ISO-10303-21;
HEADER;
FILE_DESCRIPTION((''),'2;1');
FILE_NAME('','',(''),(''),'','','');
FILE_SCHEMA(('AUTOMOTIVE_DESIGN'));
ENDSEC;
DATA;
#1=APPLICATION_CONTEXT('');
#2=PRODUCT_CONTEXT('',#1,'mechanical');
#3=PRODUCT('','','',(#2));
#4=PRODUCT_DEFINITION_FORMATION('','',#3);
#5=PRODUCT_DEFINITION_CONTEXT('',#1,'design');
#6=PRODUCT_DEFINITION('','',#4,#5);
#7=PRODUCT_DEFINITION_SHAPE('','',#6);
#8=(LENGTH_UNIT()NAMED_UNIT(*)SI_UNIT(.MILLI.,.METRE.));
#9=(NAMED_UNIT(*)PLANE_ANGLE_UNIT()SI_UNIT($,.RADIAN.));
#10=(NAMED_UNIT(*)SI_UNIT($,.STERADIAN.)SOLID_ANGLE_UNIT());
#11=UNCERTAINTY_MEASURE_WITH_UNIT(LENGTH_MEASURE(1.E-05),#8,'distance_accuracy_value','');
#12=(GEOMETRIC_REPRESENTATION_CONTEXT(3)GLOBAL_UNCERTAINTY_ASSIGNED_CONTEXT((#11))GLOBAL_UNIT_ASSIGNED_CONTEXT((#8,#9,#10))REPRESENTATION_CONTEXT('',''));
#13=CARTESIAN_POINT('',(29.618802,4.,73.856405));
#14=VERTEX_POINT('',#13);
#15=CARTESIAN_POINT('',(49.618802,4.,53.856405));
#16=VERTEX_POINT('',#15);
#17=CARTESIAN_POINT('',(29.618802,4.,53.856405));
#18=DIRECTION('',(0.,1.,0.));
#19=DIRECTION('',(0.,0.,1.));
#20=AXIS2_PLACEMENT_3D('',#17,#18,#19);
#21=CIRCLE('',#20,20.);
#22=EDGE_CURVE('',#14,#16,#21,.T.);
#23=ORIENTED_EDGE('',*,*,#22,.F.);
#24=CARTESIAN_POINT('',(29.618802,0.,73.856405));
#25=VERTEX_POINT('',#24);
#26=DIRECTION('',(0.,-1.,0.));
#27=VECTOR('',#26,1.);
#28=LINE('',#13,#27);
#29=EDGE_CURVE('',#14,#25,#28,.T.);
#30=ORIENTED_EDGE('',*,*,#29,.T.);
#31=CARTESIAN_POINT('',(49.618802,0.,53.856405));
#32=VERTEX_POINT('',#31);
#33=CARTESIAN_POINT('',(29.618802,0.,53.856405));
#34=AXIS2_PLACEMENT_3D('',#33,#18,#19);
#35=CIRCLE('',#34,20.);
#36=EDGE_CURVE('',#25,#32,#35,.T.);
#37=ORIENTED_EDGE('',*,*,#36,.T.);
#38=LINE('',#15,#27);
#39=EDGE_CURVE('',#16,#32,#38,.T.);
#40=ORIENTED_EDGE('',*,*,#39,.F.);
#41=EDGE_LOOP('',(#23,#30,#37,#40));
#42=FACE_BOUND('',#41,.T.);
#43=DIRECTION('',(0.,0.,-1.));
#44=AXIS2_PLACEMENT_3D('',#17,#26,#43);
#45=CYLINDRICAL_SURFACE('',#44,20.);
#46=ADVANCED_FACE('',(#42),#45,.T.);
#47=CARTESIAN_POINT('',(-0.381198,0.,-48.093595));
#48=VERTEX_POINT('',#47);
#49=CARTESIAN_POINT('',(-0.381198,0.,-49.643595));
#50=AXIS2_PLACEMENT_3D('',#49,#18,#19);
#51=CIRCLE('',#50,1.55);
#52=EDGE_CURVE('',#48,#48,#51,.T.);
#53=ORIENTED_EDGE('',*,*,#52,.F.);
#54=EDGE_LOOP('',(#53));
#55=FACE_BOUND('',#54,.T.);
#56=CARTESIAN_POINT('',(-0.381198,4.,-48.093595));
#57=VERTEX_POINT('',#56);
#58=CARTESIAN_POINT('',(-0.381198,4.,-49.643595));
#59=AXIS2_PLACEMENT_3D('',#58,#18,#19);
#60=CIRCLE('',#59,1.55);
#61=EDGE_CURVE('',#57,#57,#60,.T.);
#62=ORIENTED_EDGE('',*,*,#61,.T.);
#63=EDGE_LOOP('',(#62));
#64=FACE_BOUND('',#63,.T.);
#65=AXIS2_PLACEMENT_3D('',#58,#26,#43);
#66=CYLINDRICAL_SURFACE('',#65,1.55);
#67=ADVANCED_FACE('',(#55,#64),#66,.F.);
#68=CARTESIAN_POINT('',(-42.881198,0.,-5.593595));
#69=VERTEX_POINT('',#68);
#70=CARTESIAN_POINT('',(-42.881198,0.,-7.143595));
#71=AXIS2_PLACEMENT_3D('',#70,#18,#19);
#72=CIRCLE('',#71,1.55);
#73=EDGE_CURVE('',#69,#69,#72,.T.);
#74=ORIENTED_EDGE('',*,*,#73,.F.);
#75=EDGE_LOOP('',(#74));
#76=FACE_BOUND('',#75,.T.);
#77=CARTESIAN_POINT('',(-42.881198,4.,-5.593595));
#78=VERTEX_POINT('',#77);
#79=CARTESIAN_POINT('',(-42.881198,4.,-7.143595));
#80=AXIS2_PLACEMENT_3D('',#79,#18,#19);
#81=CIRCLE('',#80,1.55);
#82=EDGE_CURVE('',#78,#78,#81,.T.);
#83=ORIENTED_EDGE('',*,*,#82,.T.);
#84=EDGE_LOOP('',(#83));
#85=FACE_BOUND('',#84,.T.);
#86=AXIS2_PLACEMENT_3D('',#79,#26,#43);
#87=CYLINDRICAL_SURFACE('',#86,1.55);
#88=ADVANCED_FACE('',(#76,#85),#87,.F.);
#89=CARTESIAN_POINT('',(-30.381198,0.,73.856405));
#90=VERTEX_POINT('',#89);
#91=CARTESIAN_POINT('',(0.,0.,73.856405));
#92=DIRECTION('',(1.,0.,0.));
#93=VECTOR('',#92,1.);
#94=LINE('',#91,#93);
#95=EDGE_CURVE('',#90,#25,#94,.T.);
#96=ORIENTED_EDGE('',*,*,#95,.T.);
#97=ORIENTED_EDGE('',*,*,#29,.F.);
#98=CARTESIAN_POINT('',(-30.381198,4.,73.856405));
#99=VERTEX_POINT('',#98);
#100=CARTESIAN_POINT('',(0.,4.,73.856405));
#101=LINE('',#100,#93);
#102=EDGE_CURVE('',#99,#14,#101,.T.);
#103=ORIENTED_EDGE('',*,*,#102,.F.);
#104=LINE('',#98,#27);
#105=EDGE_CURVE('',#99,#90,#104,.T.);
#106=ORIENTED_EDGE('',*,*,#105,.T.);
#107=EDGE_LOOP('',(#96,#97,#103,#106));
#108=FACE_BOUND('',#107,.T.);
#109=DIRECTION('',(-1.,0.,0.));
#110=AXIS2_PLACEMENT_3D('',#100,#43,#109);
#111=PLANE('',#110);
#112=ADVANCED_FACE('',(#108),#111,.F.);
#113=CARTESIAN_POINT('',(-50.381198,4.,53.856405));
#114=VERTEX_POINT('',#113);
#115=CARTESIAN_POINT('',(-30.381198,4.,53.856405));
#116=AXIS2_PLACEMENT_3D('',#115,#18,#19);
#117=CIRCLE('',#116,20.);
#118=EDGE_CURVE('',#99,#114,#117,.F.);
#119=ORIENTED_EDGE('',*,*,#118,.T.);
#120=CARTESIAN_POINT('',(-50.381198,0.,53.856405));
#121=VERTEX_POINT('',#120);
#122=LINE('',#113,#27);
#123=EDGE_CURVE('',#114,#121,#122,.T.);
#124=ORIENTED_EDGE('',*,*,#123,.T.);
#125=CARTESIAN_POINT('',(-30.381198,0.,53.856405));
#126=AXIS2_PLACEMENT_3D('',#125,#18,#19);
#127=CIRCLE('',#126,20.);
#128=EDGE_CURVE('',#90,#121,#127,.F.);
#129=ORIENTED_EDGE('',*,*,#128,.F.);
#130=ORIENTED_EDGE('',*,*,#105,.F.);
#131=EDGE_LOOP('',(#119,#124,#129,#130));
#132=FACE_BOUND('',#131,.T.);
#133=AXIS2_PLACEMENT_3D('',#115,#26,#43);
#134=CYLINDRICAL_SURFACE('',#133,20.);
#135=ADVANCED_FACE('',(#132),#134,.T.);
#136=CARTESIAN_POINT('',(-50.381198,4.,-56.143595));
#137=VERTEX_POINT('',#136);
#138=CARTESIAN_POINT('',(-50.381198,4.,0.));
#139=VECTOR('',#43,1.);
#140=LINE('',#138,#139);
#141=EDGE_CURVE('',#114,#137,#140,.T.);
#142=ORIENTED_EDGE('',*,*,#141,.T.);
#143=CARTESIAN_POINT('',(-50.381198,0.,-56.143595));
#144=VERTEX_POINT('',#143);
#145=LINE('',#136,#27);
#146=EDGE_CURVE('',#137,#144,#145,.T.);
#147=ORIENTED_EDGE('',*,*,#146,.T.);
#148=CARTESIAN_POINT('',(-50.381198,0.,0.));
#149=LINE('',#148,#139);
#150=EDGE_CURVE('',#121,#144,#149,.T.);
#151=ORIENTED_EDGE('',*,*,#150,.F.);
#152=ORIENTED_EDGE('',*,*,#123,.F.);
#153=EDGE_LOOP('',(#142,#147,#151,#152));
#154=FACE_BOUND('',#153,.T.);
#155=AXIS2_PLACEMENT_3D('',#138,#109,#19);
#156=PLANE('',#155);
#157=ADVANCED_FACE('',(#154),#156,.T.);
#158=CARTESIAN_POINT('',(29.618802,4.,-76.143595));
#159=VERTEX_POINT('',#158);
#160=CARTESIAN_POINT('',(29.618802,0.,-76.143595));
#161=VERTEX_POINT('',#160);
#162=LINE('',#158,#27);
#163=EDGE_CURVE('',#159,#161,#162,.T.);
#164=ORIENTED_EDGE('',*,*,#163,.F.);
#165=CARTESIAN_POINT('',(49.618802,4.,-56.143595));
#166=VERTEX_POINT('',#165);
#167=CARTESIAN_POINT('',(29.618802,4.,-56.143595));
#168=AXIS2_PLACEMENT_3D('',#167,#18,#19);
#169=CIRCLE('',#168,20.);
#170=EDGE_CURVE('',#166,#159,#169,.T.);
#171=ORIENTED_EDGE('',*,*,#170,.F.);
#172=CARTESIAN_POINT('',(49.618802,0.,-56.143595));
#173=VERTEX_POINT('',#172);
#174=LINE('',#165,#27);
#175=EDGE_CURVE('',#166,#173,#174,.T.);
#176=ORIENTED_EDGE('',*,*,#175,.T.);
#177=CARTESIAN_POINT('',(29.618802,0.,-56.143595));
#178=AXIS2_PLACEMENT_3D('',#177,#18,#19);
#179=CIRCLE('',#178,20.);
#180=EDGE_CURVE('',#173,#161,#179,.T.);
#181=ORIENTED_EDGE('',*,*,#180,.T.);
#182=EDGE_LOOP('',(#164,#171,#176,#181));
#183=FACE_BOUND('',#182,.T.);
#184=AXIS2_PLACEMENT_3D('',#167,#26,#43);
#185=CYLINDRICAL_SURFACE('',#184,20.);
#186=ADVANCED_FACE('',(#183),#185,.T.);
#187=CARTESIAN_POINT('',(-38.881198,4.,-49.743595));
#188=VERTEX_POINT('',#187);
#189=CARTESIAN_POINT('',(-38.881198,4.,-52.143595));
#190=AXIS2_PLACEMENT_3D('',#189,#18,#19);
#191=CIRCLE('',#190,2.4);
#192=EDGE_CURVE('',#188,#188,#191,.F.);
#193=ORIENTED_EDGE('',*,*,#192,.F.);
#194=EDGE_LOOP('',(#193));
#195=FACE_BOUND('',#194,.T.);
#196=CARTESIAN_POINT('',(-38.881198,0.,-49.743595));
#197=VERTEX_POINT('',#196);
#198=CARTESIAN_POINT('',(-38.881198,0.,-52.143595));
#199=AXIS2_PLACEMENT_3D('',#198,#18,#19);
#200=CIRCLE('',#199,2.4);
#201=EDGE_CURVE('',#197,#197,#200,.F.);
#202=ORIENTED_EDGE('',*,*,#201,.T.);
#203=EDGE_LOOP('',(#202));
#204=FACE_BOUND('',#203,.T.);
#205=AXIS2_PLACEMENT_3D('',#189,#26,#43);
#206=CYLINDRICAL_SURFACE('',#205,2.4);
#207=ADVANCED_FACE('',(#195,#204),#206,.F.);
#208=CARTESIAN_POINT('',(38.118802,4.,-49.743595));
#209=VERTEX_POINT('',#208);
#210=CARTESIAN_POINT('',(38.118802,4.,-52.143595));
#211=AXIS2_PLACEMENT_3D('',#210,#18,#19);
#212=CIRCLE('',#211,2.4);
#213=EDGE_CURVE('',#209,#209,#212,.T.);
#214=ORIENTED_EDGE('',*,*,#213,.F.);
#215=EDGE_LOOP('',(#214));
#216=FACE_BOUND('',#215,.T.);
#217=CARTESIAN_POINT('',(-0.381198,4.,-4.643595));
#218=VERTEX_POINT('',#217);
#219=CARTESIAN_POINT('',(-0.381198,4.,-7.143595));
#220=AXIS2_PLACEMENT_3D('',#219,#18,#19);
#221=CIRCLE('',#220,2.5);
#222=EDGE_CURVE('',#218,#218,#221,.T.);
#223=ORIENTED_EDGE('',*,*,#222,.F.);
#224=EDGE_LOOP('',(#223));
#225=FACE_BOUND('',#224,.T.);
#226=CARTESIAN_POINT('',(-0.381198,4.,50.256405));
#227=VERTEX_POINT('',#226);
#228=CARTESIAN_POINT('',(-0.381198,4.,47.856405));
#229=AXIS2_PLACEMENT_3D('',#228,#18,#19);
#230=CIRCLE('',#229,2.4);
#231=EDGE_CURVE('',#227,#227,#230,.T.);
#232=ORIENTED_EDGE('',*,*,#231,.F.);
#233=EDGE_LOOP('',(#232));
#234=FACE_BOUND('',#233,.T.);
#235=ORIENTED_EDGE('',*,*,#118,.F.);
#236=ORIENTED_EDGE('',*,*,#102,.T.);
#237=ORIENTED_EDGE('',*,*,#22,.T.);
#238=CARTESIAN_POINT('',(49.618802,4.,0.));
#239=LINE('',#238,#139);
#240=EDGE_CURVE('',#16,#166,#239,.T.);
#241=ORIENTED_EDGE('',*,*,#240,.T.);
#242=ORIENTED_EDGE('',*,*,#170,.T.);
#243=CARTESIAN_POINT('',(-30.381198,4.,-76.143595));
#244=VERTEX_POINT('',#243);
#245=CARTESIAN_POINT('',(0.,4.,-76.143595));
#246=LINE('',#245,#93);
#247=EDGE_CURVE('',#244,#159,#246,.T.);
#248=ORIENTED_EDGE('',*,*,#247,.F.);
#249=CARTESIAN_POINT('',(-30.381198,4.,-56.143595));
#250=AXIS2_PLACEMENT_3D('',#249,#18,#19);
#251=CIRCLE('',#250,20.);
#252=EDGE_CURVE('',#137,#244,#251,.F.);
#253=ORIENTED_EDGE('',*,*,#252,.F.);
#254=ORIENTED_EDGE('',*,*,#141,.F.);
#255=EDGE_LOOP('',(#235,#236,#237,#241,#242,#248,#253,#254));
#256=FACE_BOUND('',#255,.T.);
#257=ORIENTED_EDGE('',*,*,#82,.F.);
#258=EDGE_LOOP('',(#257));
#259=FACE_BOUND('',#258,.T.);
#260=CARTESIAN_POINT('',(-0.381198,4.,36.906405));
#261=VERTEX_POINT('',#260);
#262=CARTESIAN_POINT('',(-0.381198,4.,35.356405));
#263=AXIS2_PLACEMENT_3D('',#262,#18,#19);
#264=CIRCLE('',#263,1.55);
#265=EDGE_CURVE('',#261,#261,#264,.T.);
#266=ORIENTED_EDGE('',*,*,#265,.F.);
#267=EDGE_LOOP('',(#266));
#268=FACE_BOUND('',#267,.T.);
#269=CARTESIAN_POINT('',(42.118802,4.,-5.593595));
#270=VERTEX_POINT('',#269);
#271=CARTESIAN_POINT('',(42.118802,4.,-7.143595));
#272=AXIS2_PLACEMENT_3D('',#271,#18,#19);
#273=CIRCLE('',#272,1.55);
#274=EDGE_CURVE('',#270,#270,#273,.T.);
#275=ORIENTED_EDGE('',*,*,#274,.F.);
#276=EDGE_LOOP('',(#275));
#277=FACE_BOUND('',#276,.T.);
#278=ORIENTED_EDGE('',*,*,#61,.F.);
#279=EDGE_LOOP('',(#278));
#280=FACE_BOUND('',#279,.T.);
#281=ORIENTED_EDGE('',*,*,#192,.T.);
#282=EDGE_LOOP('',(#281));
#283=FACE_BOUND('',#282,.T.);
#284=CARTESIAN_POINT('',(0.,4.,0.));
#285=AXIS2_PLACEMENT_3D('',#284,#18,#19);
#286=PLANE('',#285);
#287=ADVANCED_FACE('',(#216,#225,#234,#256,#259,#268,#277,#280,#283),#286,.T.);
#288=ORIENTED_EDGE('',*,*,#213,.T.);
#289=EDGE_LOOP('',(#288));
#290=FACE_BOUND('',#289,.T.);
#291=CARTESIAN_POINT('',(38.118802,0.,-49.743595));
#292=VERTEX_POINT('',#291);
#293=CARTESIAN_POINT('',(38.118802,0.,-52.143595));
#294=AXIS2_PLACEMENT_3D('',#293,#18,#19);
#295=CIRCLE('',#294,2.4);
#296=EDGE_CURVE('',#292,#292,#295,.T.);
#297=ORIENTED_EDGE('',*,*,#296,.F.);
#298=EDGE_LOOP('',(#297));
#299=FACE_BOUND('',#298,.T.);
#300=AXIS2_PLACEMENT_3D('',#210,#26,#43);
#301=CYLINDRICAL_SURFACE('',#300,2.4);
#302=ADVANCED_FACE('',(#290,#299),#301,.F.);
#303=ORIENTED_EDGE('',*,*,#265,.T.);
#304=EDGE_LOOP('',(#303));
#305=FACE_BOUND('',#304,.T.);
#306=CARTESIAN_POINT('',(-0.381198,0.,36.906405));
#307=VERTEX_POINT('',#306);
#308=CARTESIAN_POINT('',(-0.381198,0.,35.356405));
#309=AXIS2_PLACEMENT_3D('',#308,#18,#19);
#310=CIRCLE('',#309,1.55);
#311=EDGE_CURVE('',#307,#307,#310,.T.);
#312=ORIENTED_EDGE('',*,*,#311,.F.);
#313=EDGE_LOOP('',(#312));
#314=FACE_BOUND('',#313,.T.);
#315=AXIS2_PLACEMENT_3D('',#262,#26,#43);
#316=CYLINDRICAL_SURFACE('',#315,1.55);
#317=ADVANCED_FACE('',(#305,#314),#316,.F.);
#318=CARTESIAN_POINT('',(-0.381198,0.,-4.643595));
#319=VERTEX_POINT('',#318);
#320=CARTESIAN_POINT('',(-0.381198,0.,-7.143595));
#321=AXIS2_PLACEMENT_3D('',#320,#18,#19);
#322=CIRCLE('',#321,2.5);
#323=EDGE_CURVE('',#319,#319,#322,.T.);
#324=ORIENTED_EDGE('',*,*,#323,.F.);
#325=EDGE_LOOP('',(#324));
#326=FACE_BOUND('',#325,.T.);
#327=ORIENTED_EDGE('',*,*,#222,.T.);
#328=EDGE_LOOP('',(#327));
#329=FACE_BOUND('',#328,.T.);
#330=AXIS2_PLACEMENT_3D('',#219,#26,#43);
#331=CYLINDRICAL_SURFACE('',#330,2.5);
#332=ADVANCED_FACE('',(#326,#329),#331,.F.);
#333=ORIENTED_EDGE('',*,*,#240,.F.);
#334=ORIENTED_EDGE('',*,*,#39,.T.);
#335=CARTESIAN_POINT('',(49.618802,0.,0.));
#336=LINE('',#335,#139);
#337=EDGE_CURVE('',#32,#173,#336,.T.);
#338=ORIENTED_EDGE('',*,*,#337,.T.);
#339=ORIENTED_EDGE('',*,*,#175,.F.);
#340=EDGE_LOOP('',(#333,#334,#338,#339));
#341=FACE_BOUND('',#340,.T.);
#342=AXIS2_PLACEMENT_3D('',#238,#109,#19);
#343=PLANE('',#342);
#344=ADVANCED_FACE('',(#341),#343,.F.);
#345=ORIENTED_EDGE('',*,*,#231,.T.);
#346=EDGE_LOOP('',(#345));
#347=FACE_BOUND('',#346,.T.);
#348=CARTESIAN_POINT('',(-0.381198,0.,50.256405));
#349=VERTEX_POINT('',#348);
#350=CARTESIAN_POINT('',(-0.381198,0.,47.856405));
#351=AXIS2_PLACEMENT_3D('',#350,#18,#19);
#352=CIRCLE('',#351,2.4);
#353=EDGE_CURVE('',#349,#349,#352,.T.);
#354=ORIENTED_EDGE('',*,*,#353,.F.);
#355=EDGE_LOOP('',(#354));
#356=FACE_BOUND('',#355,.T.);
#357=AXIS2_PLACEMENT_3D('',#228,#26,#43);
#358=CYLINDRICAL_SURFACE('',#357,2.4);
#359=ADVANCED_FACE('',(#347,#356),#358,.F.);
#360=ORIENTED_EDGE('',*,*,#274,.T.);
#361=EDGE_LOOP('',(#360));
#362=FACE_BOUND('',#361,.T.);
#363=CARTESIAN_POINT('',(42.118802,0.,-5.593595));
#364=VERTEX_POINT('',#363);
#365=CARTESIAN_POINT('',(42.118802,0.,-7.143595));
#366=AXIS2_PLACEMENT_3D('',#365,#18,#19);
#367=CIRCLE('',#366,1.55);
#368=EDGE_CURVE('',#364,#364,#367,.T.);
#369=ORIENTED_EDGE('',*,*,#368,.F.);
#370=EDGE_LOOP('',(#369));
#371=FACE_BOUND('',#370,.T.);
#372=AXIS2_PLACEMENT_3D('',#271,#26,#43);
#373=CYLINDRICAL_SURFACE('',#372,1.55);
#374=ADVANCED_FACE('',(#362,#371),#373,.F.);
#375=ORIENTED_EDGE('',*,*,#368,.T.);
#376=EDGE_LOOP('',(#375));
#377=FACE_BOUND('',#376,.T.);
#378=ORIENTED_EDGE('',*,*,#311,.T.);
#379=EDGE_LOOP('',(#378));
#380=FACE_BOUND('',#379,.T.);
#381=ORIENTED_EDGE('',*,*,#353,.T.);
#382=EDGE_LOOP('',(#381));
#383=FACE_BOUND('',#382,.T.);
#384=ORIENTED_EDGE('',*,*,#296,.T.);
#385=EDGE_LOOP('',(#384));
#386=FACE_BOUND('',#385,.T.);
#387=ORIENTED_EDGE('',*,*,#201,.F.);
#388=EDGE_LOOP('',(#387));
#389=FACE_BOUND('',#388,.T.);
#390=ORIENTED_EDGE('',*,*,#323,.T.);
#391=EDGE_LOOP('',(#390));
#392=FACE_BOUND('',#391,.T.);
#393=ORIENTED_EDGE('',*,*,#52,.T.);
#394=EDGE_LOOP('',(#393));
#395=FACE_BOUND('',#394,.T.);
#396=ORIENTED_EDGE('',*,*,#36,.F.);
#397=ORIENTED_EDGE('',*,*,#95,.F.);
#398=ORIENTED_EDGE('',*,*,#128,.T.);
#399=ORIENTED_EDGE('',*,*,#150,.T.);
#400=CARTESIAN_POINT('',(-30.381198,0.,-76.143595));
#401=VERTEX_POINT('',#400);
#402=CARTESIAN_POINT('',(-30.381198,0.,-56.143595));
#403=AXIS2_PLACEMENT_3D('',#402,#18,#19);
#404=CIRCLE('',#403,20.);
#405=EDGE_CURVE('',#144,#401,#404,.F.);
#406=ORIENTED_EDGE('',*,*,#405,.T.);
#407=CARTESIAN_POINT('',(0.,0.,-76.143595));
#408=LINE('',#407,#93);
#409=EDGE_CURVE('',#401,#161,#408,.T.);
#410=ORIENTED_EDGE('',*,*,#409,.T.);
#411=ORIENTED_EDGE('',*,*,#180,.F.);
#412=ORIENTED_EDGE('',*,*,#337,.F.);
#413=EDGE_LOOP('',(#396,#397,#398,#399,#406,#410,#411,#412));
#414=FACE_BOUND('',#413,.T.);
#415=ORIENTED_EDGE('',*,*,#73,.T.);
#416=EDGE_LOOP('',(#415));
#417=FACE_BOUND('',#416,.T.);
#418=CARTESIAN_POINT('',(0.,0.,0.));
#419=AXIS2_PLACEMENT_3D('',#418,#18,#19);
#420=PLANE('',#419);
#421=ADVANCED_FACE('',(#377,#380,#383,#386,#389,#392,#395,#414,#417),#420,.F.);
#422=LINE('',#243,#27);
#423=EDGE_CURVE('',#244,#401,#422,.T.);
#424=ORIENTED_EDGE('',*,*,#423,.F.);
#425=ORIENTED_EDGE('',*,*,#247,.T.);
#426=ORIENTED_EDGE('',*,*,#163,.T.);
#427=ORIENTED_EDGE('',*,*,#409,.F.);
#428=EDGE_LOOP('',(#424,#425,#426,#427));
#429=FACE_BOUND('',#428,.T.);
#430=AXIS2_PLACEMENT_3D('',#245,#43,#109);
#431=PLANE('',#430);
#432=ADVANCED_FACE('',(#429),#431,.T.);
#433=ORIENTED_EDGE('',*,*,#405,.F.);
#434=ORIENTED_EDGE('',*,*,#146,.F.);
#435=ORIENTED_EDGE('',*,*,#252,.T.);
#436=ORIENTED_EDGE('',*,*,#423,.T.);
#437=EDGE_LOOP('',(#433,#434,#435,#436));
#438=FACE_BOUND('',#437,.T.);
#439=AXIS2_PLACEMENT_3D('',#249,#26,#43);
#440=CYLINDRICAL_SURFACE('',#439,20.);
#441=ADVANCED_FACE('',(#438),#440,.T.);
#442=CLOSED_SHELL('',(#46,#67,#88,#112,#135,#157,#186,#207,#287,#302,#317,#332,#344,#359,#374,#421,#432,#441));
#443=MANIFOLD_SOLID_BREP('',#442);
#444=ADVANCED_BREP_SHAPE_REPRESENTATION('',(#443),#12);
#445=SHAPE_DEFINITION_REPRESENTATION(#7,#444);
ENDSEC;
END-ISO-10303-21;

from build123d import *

# Parameters (mm, degrees)
ESBO_O1_R                = 2.5
ESBO_O1_R_2              = 2.4
ESBO_O1_R_3              = 1.55
RESSALTO_EXTRUS_O1_DEPTH = 4


with BuildPart() as part:
    # Esboço1 → Ressalto-extrusão1 (new body)
    with BuildSketch(Plane(origin=(0, 0, 0), x_dir=(1, 0, 0), z_dir=(0, 1, 0))):
        with BuildLine():
            Line((-30.381198383, -73.856404852), (29.618801617, -73.856404852))
            ThreePointArc((29.618801617, -73.856404852), (43.760937241, -67.998540476), (49.618801617, -53.856404852))
            Line((49.618801617, -53.856404852), (49.618801617, 56.143595148))
            ThreePointArc((49.618801617, 56.143595148), (43.760937241, 70.285730771), (29.618801617, 76.143595148))
            Line((29.618801617, 76.143595148), (-30.381198383, 76.143595148))
            ThreePointArc((-30.381198383, 76.143595148), (-44.523334006, 70.285730771), (-50.381198383, 56.143595148))
            Line((-50.381198383, 56.143595148), (-50.381198383, -53.856404852))
            ThreePointArc((-50.381198383, -53.856404852), (-44.523334006, -67.998540476), (-30.381198383, -73.856404852))
        make_face()
        with Locations(Location((-0.381198383, 7.143595148, 0), (0, 0, 270))):
            Circle(ESBO_O1_R, mode=Mode.SUBTRACT)
        with Locations(Location((38.118801617, 52.143595148, 0), (0, 0, 270))):
            Circle(ESBO_O1_R_2, mode=Mode.SUBTRACT)
        with Locations(Location((-38.881198383, 52.143595148, 0), (0, 0, 270))):
            Circle(ESBO_O1_R_2, mode=Mode.SUBTRACT)
        with Locations(Location((-0.381198383, -47.856404852, 0), (0, 0, 270))):
            Circle(ESBO_O1_R_2, mode=Mode.SUBTRACT)
        with Locations(Location((-42.881198383, 7.143595148, 0), (0, 0, 270))):
            Circle(ESBO_O1_R_3, mode=Mode.SUBTRACT)
        with Locations(Location((42.118801617, 7.143595148, 0), (0, 0, 270))):
            Circle(ESBO_O1_R_3, mode=Mode.SUBTRACT)
        with Locations(Location((-0.381198383, -35.356404852, 0), (0, 0, 270))):
            Circle(ESBO_O1_R_3, mode=Mode.SUBTRACT)
        with Locations(Location((-0.381198383, 49.643595148, 0), (0, 0, 270))):
            Circle(ESBO_O1_R_3, mode=Mode.SUBTRACT)
    extrude(amount=RESSALTO_EXTRUS_O1_DEPTH)


solid = part.part
